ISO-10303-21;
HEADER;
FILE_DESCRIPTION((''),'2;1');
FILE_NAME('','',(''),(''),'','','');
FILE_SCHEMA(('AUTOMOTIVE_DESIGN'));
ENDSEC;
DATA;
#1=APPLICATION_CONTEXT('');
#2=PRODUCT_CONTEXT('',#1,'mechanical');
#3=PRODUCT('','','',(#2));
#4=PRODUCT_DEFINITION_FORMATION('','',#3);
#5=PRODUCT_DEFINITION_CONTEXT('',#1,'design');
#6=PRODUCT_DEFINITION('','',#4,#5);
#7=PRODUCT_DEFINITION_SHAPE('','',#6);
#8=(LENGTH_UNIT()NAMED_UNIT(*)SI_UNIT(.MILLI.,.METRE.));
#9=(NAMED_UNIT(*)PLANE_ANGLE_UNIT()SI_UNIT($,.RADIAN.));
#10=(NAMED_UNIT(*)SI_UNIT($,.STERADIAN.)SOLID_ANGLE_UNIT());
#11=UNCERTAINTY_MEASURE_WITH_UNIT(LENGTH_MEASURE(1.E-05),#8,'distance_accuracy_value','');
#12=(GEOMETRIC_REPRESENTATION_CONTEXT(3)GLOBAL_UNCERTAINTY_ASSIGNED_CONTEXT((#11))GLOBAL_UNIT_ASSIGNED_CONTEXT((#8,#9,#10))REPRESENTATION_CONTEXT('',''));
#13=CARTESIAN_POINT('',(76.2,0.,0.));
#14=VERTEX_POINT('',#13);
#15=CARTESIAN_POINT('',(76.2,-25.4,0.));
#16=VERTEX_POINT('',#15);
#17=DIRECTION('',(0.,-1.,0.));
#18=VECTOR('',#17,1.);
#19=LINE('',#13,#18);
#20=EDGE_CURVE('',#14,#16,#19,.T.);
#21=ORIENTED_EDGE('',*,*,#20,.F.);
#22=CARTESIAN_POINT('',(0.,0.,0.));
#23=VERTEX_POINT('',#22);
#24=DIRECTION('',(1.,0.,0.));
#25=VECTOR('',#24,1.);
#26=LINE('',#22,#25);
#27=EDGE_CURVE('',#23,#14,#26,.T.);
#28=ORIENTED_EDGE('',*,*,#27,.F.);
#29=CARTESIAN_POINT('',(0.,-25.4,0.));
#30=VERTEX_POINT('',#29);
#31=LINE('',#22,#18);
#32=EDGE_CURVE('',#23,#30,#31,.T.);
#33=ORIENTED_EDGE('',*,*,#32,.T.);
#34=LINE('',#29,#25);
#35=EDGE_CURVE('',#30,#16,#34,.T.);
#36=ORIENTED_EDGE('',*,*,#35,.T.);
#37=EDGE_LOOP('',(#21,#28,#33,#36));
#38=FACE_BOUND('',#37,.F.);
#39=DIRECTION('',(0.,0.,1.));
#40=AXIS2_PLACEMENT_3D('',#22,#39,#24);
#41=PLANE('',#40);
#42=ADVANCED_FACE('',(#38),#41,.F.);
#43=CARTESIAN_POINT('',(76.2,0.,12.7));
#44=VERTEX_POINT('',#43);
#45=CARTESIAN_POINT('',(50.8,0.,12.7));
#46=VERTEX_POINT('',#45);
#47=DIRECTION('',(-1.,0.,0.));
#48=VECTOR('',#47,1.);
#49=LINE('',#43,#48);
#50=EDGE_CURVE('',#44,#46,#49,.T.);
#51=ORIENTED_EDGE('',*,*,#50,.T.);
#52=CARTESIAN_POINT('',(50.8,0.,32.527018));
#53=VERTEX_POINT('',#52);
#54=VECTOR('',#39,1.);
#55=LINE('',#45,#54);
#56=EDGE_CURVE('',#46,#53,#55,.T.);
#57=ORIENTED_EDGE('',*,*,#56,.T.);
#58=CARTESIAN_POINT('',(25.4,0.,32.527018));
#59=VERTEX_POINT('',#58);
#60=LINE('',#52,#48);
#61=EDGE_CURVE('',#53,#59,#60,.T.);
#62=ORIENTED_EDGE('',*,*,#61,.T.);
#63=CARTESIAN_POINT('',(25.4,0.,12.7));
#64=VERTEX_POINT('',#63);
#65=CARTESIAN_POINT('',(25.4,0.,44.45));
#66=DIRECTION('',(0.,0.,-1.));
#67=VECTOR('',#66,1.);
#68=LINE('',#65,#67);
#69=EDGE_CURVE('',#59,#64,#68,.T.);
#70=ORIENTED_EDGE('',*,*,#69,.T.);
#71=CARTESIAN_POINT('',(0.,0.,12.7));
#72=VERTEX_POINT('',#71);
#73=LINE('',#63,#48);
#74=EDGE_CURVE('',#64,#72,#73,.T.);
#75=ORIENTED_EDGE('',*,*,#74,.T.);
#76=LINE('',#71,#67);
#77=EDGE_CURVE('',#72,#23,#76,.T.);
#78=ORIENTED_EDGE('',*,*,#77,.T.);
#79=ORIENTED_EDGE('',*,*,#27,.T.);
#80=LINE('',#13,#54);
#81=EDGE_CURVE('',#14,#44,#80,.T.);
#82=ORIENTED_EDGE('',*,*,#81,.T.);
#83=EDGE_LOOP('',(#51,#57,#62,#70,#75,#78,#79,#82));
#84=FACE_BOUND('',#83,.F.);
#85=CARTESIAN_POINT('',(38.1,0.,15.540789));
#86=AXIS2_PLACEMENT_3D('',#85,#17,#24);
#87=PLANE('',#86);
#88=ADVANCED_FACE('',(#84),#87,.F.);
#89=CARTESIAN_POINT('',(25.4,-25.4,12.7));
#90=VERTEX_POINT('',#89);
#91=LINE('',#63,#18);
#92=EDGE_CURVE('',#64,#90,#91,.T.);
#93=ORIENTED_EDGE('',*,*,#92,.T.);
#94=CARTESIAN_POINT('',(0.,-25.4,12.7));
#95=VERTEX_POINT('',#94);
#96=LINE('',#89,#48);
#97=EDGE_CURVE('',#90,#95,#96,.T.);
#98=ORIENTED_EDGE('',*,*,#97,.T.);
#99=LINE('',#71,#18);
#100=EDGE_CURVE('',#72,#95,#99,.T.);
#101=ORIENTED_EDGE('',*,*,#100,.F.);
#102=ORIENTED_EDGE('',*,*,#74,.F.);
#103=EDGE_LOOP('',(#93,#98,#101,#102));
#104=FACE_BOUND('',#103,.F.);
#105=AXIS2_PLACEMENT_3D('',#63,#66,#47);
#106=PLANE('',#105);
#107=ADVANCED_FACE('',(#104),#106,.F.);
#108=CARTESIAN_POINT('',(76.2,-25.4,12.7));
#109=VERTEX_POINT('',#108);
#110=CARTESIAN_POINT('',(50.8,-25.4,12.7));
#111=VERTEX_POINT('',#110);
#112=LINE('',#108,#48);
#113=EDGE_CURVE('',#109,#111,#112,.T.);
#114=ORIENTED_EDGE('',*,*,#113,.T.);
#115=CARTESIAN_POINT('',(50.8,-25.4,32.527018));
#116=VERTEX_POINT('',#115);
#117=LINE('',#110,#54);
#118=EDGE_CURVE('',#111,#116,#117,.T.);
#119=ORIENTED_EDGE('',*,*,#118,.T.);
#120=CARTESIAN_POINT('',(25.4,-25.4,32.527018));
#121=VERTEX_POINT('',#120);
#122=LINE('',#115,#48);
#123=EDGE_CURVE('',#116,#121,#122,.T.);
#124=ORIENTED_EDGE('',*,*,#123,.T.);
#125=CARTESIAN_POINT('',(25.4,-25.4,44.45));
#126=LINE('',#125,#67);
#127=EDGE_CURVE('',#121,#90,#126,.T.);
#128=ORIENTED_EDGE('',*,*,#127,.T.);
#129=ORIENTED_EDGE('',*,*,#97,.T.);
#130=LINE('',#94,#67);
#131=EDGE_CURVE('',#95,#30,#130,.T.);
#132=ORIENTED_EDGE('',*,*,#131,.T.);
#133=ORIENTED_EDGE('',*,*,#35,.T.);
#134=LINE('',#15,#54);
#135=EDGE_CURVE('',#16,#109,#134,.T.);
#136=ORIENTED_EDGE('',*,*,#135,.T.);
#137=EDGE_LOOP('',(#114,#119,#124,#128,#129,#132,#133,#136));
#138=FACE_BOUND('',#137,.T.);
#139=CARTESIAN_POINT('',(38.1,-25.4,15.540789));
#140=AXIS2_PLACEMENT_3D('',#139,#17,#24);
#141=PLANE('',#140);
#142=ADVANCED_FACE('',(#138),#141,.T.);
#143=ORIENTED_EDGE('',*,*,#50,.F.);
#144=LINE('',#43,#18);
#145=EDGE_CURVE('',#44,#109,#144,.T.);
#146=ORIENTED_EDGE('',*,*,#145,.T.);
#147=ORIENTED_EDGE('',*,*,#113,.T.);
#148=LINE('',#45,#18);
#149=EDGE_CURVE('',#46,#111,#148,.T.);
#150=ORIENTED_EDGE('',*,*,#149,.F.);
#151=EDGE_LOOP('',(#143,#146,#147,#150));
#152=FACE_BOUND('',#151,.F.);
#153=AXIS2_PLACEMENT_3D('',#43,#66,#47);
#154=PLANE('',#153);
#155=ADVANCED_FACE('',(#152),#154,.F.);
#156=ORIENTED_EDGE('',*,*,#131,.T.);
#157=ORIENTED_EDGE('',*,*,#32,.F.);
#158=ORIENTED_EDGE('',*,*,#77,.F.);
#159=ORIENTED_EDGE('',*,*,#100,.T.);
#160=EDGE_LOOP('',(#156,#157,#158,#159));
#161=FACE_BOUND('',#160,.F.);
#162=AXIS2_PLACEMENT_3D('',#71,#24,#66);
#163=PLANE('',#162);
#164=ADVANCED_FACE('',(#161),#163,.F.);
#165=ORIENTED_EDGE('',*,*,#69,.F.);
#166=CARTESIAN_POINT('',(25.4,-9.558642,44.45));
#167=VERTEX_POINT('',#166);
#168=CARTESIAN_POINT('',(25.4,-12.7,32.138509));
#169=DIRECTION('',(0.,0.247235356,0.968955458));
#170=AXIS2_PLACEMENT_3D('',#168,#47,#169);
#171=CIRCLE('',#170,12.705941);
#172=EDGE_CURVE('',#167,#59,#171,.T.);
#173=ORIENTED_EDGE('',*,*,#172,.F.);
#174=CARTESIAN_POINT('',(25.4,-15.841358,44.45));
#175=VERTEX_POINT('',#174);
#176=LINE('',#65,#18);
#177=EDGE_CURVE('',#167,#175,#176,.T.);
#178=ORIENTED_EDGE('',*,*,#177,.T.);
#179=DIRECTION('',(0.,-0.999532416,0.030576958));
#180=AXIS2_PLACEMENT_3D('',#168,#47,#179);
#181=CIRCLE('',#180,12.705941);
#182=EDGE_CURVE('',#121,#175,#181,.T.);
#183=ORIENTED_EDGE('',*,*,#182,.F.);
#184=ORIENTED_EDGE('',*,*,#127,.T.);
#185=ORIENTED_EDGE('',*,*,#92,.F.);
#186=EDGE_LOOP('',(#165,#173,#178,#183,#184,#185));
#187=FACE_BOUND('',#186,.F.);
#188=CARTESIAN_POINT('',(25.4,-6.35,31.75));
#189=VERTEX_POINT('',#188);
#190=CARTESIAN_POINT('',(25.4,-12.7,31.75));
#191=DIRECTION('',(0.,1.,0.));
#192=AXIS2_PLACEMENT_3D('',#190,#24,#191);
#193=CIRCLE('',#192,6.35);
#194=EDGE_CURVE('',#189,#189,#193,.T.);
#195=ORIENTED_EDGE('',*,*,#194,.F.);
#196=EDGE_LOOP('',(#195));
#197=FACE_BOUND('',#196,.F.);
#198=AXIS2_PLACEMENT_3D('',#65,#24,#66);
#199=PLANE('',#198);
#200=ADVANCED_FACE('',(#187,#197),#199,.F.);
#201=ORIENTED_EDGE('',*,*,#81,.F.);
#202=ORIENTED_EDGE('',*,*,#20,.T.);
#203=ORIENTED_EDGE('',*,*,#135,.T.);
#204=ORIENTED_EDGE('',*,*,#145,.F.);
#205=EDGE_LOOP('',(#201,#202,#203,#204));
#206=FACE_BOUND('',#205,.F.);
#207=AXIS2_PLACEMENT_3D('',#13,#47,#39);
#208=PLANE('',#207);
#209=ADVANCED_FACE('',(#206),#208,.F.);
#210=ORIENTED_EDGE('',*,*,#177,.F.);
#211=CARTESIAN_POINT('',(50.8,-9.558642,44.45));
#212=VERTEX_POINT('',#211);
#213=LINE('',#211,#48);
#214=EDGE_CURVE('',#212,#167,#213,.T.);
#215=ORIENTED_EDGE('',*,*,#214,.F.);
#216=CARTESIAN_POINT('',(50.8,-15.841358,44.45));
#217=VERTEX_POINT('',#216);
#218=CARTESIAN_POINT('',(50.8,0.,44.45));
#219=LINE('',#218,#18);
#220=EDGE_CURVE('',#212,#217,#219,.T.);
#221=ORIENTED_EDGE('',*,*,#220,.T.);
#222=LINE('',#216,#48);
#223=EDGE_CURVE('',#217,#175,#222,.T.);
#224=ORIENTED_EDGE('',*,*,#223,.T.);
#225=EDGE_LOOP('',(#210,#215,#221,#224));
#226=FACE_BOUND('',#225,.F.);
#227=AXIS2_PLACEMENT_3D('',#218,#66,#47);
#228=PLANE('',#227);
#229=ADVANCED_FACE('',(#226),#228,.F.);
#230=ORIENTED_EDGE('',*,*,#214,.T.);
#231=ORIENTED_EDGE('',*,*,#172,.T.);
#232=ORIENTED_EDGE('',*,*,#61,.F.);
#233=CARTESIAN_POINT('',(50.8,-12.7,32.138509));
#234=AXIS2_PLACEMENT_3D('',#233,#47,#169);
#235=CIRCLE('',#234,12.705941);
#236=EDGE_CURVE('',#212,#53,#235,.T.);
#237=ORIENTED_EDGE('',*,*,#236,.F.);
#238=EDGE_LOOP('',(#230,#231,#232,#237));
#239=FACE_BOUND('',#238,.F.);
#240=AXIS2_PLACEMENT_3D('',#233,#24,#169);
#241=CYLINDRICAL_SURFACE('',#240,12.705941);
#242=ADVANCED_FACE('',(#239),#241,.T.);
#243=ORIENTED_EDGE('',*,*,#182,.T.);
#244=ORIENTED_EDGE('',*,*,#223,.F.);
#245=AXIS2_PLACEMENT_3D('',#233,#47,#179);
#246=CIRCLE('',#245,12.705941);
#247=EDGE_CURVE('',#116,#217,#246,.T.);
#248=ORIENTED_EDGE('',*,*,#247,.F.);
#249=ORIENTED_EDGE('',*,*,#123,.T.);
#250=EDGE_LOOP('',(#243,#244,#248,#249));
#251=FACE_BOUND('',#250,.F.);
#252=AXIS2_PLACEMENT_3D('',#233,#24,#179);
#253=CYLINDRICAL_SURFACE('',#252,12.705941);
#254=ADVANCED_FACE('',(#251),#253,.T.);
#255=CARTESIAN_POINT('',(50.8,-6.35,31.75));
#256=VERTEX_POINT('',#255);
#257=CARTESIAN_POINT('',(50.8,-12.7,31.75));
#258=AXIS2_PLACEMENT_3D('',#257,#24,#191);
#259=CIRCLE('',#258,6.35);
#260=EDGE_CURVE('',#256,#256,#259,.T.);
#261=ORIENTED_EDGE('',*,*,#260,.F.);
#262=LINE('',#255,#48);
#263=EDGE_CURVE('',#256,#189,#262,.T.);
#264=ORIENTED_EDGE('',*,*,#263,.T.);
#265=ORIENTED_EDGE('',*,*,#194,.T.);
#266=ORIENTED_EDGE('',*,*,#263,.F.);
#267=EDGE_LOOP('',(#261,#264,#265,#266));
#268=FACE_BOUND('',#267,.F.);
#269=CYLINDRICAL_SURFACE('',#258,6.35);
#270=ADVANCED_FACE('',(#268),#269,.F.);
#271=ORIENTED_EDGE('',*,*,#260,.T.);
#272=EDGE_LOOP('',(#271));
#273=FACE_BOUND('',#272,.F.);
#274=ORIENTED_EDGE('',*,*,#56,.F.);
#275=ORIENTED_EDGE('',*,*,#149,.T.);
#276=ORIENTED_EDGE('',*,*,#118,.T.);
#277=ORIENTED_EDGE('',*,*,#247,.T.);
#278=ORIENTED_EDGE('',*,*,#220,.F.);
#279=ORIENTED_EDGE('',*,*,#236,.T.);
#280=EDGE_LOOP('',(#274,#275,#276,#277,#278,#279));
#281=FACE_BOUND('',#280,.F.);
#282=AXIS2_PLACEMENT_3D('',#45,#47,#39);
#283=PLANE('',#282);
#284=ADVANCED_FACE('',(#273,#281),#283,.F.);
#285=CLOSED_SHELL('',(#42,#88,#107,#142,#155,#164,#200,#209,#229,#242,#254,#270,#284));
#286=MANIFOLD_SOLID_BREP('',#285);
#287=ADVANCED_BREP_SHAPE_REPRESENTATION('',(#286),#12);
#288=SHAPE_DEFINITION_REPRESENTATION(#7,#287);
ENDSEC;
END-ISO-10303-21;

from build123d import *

# Parameters (mm, degrees)
F1_DEPTH = 25.4
F2_R     = 6.35
F3_DEPTH = 25.4


with BuildPart() as f1:
    # F0 (on Front) → F1 (new body)
    with BuildSketch(Plane.XZ):
        Polygon((0, 12.7), (0, 0), (76.2, 0), (76.2, 12.7), (50.8, 12.7), (50.8, 44.45), (25.4, 44.45), (25.4, 12.7), align=None)
    extrude(amount=F1_DEPTH)

    # F2 (on face) → F3 (cut)
    with BuildSketch(Plane.YZ.offset(50.8)):
        with BuildLine():
            ThreePointArc((-9.5586421261, 44.45), (-2.7865480563, 40.0861130576), (0, 32.5270180545))
            Line((0, 32.5270180545), (0, 44.45))
            Line((0, 44.45), (-9.5586421261, 44.45))
        make_face()
        with BuildLine():
            ThreePointArc((-25.4, 32.5270180545), (-22.6134519437, 40.0861130576), (-15.8413578739, 44.45))
            Line((-15.8413578739, 44.45), (-25.4, 44.45))
            Line((-25.4, 44.45), (-25.4, 32.5270180545))
        make_face()
        with Locations((-12.7, 31.75)):
            Circle(F2_R)
    extrude(amount=-F3_DEPTH, mode=Mode.SUBTRACT)


solid = f1.part
